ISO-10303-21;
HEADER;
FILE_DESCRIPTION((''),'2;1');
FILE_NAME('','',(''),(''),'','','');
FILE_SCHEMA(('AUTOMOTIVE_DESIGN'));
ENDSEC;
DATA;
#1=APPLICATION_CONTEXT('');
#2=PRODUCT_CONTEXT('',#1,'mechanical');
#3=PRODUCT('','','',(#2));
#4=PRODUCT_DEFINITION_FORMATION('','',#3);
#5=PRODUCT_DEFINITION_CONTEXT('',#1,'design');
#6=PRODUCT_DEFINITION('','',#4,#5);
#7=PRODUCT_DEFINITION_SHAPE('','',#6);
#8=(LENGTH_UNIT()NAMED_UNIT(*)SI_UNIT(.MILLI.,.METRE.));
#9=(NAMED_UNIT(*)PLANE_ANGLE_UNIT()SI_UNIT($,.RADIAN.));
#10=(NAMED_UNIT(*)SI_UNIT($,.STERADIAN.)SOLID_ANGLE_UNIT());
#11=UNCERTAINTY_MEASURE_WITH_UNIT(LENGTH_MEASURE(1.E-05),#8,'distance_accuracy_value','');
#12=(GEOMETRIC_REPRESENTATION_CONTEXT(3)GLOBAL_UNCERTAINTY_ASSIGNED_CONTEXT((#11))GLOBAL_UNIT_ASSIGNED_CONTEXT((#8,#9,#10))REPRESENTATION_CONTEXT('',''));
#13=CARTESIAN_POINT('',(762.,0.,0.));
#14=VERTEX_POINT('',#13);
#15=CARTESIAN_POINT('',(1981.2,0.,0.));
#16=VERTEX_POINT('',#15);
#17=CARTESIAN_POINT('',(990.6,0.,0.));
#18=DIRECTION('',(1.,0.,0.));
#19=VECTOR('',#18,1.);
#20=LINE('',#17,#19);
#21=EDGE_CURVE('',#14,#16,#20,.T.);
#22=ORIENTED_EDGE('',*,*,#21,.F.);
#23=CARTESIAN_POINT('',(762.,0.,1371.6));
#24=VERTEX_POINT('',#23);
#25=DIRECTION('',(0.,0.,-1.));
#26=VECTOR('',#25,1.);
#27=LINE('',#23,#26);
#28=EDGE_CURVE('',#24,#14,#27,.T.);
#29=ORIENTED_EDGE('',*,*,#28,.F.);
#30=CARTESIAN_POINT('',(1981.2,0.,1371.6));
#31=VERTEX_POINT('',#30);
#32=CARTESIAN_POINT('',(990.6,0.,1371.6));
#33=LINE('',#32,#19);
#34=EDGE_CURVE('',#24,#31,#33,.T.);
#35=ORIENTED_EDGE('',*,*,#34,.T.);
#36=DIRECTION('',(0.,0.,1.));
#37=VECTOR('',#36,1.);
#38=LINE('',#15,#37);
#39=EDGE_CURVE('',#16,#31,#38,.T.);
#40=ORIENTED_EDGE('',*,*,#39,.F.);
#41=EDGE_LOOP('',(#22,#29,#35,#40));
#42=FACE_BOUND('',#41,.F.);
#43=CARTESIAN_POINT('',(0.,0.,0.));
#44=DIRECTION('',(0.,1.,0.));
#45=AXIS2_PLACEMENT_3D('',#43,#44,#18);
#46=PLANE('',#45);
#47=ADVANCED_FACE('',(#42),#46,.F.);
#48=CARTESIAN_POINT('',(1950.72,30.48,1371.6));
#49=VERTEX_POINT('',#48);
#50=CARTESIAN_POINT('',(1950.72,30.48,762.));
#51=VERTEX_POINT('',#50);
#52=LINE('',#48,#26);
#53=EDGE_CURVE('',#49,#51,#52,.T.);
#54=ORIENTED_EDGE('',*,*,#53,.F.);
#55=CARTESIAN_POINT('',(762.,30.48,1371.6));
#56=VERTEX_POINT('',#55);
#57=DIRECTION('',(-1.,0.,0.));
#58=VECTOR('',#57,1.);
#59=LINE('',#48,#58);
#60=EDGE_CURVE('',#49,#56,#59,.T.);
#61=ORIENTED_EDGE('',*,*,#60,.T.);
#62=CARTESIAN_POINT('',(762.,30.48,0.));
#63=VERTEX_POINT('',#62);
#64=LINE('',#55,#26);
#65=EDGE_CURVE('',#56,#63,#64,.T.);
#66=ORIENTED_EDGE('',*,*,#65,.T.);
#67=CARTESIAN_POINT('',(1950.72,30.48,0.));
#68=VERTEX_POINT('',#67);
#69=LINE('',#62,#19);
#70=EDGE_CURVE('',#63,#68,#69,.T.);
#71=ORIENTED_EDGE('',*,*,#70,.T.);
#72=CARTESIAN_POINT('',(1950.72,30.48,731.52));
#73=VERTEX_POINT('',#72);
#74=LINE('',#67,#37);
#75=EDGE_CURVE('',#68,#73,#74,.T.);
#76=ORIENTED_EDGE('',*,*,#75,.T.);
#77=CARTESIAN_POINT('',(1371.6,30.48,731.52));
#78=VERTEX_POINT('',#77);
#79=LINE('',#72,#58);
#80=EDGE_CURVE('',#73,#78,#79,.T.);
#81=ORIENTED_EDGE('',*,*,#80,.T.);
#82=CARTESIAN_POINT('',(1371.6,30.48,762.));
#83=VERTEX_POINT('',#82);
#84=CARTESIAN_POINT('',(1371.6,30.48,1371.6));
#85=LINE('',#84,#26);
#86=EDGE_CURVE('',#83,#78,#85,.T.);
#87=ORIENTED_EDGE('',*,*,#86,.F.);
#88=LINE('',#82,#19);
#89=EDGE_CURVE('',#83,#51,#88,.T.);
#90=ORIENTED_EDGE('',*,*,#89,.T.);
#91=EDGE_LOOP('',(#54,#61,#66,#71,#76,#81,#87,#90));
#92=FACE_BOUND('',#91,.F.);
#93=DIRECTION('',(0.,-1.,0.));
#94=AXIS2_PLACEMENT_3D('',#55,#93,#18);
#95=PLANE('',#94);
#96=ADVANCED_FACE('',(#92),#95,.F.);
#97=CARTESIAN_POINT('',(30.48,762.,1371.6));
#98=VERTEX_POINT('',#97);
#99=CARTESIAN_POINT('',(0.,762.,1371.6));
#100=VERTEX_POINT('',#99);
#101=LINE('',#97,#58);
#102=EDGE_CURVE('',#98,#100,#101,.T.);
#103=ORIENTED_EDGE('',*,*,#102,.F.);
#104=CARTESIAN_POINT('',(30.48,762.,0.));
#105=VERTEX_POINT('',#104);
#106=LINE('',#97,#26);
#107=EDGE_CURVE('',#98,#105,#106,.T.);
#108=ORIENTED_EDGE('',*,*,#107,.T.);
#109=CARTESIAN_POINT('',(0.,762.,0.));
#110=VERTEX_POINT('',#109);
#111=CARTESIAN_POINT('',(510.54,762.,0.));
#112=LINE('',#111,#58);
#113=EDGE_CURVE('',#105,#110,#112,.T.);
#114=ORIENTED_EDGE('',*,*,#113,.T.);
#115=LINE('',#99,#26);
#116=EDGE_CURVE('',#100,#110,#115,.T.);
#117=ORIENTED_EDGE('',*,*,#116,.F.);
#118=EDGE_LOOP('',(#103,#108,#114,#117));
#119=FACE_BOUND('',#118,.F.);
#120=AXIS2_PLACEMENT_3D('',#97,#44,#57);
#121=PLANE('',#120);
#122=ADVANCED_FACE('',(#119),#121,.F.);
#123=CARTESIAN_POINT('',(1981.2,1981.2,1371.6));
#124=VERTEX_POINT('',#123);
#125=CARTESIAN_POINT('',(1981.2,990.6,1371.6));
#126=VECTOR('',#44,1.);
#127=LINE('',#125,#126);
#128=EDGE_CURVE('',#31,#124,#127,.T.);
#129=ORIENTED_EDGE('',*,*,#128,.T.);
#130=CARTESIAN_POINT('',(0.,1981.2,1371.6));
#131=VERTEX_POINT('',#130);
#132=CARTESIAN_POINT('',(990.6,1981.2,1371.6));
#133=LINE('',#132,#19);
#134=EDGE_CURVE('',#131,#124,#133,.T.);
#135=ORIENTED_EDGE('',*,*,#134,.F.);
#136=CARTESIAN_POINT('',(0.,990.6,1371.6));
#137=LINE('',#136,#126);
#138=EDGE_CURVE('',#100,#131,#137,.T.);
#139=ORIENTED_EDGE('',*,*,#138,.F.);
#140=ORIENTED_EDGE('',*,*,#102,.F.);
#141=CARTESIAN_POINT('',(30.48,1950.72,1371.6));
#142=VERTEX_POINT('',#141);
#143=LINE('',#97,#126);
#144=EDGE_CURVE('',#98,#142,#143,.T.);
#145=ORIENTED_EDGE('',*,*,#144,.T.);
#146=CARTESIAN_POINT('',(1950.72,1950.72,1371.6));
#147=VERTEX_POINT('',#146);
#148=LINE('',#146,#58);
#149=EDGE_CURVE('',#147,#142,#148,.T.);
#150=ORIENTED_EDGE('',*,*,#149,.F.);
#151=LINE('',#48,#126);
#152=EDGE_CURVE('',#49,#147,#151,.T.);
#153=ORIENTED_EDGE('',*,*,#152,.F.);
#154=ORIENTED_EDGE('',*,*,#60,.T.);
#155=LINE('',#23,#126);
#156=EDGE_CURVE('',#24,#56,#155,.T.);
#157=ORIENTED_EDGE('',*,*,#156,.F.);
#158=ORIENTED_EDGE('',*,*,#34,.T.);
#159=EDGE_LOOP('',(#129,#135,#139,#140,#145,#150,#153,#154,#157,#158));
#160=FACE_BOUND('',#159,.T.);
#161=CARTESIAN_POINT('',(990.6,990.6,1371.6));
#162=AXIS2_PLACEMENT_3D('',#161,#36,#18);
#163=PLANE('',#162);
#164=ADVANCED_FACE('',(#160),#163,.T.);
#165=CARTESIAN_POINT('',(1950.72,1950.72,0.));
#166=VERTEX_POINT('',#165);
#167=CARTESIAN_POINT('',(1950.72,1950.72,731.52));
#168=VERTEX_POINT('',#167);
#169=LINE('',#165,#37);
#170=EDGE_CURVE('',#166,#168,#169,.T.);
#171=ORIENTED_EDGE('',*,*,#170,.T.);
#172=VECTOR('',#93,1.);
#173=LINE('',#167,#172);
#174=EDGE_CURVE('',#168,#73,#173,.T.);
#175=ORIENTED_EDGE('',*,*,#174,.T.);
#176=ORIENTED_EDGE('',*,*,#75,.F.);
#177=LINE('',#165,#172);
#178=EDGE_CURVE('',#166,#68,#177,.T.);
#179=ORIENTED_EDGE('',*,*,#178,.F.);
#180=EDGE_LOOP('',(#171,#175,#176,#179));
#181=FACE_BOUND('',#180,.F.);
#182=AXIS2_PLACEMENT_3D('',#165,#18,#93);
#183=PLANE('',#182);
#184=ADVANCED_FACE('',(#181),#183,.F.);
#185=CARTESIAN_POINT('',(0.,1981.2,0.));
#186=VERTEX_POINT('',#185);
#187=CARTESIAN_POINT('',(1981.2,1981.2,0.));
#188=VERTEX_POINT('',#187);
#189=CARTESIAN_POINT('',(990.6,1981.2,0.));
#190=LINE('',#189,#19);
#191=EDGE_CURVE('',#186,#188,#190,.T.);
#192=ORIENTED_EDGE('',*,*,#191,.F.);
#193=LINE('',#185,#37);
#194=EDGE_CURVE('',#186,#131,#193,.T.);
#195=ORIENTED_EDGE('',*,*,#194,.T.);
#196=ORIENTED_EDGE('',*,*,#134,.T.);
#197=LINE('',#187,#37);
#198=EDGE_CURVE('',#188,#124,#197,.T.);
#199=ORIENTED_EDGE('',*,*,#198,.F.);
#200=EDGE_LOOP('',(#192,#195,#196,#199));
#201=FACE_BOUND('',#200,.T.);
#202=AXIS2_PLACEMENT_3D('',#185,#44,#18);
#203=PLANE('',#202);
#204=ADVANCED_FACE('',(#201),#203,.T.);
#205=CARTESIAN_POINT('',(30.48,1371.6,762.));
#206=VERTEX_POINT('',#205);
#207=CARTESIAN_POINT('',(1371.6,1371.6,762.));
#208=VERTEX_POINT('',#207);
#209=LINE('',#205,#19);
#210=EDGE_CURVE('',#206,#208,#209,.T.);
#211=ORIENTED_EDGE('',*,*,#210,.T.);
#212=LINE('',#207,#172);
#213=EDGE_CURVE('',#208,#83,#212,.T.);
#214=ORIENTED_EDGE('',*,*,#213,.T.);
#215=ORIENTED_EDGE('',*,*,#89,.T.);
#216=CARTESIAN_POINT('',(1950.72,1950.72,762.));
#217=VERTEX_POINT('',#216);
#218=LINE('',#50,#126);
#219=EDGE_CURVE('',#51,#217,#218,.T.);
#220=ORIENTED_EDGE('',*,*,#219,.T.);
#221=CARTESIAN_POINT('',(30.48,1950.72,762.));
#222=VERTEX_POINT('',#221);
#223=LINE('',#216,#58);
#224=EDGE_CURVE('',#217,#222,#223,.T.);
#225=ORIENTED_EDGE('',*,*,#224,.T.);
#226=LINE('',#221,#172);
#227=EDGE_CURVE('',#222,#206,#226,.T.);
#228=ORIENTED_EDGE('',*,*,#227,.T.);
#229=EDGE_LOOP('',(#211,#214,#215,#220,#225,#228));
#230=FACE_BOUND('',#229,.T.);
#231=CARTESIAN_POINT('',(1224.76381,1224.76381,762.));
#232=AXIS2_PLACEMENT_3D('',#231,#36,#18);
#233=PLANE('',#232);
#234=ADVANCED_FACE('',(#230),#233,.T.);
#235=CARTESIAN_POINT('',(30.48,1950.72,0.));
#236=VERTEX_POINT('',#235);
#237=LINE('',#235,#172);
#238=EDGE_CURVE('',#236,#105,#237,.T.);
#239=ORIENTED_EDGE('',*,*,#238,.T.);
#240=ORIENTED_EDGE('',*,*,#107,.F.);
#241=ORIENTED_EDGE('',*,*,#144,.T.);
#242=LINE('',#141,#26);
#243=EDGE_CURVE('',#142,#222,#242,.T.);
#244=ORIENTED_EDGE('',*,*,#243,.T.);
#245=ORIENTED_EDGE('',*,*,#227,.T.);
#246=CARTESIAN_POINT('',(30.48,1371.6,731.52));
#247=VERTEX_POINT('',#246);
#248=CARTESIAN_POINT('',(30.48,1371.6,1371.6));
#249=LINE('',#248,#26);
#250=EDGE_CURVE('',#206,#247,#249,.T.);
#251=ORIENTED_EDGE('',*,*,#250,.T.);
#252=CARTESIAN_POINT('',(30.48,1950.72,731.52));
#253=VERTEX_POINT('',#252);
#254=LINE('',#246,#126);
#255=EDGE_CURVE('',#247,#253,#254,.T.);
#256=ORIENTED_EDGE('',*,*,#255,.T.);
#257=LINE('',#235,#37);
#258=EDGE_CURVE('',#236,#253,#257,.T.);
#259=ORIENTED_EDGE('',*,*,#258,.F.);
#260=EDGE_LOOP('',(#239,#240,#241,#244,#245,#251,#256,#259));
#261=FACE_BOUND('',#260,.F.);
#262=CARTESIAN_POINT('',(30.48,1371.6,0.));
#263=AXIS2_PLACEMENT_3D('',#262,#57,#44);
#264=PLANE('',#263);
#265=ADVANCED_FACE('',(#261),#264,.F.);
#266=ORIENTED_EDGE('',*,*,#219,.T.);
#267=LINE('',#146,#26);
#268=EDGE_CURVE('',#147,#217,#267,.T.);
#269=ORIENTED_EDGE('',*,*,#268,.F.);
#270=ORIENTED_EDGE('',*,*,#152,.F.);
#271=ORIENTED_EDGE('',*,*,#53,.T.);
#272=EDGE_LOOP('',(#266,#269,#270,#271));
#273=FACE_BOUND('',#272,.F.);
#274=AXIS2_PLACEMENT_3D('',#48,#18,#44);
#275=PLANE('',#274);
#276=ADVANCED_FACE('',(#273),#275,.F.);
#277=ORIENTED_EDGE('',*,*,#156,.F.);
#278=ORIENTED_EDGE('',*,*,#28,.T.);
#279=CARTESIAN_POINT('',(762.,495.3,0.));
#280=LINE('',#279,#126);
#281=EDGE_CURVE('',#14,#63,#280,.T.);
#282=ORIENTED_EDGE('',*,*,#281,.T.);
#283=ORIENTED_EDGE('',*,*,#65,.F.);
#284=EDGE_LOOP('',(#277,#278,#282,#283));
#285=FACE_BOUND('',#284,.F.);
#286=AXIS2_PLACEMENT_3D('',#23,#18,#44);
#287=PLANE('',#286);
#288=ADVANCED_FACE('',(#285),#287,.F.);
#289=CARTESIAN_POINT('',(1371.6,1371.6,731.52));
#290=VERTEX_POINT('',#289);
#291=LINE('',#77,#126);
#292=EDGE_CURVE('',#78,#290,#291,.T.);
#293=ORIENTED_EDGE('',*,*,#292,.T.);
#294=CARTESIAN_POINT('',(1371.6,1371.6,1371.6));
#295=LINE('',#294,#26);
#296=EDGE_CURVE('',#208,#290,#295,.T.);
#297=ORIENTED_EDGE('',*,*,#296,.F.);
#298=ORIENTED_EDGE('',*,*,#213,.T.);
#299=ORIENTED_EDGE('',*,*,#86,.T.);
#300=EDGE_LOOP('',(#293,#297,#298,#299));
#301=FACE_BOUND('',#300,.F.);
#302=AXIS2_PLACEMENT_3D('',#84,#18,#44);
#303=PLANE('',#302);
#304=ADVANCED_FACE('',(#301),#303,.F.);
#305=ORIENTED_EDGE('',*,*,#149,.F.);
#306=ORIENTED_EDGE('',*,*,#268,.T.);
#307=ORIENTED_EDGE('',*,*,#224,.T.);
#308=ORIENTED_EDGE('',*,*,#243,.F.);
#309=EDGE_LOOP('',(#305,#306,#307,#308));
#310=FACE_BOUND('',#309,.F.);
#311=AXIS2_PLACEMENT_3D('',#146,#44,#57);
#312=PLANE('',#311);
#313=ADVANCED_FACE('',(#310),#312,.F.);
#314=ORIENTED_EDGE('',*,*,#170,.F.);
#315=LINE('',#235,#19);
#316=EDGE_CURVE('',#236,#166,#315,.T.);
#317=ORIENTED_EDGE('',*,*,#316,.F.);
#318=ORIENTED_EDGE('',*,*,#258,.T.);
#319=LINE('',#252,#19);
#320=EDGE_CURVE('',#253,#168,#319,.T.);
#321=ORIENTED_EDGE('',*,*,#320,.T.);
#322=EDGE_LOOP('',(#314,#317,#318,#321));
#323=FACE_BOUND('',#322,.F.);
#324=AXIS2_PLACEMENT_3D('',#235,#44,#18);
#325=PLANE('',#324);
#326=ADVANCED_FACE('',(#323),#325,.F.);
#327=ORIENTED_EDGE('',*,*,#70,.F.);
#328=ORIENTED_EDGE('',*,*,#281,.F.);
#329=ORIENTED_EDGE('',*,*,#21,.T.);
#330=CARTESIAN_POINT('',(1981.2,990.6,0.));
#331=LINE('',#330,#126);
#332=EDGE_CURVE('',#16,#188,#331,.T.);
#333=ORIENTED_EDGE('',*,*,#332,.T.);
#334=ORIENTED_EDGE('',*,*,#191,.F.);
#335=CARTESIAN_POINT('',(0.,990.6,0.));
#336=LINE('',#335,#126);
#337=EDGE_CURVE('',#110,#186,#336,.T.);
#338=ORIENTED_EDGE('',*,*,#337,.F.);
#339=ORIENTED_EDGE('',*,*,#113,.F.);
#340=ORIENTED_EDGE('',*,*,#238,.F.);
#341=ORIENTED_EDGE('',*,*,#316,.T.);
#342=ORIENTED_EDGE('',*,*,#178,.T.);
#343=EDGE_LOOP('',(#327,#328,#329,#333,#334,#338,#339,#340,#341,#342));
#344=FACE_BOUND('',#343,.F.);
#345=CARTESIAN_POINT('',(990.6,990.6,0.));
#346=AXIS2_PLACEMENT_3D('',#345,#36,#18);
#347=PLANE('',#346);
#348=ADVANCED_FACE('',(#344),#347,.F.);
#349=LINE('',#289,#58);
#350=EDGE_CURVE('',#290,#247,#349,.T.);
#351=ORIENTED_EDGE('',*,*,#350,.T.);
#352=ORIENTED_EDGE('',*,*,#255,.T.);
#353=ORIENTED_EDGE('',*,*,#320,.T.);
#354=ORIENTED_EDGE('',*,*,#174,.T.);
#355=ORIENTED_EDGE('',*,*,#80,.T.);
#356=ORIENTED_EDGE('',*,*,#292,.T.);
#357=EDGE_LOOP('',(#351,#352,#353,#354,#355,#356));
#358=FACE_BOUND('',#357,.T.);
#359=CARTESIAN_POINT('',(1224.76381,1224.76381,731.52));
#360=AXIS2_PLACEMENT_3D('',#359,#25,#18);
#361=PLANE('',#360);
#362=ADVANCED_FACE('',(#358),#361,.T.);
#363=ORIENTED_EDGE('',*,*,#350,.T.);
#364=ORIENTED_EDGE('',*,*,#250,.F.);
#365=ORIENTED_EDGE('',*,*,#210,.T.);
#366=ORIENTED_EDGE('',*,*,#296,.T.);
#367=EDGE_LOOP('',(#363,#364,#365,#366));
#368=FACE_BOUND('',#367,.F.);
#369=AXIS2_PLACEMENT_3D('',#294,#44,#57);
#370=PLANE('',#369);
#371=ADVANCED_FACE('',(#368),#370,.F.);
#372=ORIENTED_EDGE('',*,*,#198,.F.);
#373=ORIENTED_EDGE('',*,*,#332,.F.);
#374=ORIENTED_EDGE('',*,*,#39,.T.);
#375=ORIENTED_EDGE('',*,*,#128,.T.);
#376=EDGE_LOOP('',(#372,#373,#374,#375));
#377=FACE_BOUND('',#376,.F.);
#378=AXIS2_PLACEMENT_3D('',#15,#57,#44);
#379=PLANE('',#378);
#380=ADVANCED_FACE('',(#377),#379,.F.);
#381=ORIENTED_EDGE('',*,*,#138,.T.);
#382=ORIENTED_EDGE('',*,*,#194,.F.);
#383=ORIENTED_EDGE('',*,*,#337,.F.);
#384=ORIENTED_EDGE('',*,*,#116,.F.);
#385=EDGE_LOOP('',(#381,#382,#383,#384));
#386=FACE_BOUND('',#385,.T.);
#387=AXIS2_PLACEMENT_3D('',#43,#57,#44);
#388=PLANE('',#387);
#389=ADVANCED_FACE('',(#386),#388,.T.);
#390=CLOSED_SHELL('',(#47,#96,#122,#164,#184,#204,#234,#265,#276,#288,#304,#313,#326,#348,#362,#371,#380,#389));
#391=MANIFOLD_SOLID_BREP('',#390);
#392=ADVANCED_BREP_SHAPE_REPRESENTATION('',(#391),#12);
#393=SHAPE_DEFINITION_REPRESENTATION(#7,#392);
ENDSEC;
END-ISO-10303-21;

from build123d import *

# Parameters (mm, degrees)
F0_W     = 1981.2
F0_H     = 1981.2
F1_DEPTH = 1371.6
F3_DEPTH = 1524
F5_DEPTH = 609.6
F7_DEPTH = 731.52


with BuildPart() as f1:
    # F0 (on Top) → F1 (new body)
    with BuildSketch(Plane.XY):
        with Locations((990.6, 990.6)):
            Rectangle(F0_W, F0_H)
    extrude(amount=F1_DEPTH)

    # F2 (on face) → F3 (cut)
    with BuildSketch(Plane.XY.offset(1371.6)):
        Polygon((1371.6, 465.324644), (1371.6, 1371.6), (30.48, 1371.6), (30.48, 762), (0, 762), (0, 0), (762, 0), (762, 30.48), (1371.6, 30.48), align=None)
    extrude(amount=-F3_DEPTH, mode=Mode.SUBTRACT)

    # F4 (on face) → F5 (cut)
    with BuildSketch(Plane.XY.offset(1371.6)):
        Polygon((30.48, 1950.72), (30.48, 1371.6), (1371.6, 1371.6), (1371.6, 30.48), (1950.72, 30.48), (1950.72, 1950.72), align=None)
    extrude(amount=-F5_DEPTH, mode=Mode.SUBTRACT)

    # F6 (on face) → F7 (cut)
    with BuildSketch(Plane(origin=(0, 0, 0), x_dir=(1, 0, 0), z_dir=(0, 0, -1))):
        Polygon((1371.6, -1371.6), (30.48, -1371.6), (30.48, -1950.72), (1950.72, -1950.72), (1950.72, -30.48), (1371.6, -30.48), align=None)
    extrude(amount=-F7_DEPTH, mode=Mode.SUBTRACT)


solid = f1.part
